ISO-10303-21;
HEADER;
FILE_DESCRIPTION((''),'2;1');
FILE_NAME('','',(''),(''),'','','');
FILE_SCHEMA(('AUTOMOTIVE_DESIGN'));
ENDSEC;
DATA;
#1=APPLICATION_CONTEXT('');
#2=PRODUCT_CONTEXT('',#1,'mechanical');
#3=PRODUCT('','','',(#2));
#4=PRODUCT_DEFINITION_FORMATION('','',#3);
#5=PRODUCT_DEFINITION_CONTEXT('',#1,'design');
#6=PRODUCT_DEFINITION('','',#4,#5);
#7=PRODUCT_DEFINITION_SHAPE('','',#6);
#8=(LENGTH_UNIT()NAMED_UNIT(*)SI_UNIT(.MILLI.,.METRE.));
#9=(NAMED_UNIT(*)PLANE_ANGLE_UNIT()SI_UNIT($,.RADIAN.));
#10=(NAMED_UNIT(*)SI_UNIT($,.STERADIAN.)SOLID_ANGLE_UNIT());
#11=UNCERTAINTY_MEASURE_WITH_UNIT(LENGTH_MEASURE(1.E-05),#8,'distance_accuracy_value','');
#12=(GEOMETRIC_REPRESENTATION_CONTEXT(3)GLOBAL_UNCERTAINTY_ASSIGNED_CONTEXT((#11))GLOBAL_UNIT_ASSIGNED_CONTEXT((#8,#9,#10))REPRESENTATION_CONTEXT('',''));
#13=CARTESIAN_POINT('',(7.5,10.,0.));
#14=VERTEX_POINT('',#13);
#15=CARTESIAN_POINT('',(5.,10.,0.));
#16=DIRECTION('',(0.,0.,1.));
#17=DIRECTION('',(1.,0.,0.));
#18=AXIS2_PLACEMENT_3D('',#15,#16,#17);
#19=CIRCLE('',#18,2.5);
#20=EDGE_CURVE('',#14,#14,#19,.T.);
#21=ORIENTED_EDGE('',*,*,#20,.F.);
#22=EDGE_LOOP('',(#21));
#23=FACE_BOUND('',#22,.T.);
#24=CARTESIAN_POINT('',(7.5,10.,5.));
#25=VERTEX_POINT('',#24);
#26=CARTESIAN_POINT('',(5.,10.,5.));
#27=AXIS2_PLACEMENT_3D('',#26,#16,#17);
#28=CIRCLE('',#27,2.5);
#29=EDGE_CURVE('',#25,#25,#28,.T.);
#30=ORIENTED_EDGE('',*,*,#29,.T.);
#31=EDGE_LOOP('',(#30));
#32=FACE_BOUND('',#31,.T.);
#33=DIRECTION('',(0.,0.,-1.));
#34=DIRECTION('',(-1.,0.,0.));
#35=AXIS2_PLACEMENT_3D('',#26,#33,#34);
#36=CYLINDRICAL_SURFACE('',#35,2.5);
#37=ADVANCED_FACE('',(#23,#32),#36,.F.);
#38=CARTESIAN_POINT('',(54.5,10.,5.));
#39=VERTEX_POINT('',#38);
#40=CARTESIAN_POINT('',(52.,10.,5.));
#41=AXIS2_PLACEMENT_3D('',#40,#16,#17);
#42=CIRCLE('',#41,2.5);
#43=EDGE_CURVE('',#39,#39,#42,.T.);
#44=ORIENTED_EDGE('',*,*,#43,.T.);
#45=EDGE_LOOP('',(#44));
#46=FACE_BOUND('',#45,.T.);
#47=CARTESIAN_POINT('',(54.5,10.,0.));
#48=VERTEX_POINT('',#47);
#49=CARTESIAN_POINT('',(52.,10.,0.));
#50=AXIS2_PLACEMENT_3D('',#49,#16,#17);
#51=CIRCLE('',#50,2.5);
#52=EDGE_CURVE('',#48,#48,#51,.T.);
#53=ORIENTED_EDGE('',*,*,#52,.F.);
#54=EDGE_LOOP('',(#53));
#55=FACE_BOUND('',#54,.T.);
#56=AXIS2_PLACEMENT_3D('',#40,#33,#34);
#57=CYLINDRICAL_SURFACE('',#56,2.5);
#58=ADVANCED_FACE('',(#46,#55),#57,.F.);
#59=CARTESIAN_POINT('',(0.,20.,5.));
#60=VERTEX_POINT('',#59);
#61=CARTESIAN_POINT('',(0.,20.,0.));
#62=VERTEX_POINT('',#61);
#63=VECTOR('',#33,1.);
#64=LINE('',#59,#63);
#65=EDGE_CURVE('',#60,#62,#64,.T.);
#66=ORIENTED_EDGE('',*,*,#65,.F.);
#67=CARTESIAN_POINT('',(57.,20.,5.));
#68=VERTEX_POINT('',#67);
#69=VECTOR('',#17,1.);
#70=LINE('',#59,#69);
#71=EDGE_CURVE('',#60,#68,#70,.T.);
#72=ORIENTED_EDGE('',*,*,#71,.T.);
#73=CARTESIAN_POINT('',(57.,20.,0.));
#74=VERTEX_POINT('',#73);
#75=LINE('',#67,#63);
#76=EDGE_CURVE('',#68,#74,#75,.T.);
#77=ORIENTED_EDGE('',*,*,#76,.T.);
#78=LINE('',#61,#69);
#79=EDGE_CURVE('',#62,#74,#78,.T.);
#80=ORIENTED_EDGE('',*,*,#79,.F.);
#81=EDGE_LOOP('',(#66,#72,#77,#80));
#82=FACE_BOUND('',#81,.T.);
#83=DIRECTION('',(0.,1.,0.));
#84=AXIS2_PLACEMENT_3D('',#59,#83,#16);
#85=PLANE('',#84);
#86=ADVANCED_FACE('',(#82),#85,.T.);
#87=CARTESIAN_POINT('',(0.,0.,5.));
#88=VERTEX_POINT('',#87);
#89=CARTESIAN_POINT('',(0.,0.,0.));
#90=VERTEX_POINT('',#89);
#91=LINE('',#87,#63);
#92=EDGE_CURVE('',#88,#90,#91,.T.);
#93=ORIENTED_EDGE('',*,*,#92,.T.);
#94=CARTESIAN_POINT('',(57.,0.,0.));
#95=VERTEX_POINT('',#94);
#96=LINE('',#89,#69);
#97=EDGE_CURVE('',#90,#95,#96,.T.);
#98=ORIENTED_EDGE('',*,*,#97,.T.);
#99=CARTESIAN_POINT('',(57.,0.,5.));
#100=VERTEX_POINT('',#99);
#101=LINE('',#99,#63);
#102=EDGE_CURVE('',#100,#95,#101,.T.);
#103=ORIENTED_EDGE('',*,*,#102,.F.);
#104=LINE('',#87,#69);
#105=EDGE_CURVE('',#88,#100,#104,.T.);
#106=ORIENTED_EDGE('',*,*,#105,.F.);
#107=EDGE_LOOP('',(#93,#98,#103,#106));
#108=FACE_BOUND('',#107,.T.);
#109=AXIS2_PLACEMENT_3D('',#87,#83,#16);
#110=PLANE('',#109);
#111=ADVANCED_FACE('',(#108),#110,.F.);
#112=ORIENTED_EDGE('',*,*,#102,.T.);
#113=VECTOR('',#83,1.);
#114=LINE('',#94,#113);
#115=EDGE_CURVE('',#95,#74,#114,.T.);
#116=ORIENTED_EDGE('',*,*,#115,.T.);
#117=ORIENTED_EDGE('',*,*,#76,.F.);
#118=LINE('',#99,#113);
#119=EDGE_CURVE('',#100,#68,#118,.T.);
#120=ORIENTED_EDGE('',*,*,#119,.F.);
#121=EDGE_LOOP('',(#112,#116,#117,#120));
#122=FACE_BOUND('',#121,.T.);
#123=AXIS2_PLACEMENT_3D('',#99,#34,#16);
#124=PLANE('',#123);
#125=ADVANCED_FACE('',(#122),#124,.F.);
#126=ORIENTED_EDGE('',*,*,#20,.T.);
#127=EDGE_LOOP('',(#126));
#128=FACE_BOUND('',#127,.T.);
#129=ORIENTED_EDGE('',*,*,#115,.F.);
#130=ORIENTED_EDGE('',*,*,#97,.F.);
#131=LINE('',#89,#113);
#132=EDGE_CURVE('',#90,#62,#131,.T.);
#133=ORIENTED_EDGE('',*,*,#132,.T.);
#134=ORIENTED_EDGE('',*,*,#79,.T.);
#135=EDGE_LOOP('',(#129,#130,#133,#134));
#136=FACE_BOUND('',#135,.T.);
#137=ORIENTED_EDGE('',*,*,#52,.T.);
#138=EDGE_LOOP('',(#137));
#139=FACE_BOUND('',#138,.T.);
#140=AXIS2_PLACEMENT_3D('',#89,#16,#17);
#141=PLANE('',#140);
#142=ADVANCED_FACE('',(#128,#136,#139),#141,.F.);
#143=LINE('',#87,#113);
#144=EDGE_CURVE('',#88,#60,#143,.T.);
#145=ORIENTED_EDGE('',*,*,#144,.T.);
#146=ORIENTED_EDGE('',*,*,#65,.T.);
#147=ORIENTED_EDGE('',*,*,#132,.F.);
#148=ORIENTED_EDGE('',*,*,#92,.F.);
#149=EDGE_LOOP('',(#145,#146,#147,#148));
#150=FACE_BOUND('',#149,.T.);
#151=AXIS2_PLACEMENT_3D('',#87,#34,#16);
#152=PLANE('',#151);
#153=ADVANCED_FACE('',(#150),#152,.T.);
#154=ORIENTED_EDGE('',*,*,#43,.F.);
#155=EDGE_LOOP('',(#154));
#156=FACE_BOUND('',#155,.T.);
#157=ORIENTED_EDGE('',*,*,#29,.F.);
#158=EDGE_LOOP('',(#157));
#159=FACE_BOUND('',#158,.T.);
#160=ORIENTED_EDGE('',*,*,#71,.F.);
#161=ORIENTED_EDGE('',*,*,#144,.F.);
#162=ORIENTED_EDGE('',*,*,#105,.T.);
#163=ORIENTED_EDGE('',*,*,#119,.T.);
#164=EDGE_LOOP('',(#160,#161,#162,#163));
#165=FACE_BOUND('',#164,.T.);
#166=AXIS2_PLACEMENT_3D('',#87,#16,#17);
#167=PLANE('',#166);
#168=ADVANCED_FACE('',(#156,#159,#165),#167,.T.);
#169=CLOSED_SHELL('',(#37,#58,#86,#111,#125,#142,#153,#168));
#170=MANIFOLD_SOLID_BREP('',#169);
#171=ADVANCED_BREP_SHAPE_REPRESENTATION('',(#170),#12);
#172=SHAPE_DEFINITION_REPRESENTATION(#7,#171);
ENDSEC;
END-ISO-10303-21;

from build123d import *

# Parameters (mm, degrees)
SKETCH1_W           = 57
SKETCH1_H           = 20
SKETCH1_R           = 2.5
BOSS_EXTRUDE1_DEPTH = 5


with BuildPart() as part:
    # Sketch1 → Boss-Extrude1 (new body)
    with BuildSketch(Plane.XY):
        with Locations((28.5, 10)):
            Rectangle(SKETCH1_W, SKETCH1_H)
        with Locations((52, 10)):
            Circle(SKETCH1_R, mode=Mode.SUBTRACT)
        with Locations((5, 10)):
            Circle(SKETCH1_R, mode=Mode.SUBTRACT)
    extrude(amount=BOSS_EXTRUDE1_DEPTH)


solid = part.part
